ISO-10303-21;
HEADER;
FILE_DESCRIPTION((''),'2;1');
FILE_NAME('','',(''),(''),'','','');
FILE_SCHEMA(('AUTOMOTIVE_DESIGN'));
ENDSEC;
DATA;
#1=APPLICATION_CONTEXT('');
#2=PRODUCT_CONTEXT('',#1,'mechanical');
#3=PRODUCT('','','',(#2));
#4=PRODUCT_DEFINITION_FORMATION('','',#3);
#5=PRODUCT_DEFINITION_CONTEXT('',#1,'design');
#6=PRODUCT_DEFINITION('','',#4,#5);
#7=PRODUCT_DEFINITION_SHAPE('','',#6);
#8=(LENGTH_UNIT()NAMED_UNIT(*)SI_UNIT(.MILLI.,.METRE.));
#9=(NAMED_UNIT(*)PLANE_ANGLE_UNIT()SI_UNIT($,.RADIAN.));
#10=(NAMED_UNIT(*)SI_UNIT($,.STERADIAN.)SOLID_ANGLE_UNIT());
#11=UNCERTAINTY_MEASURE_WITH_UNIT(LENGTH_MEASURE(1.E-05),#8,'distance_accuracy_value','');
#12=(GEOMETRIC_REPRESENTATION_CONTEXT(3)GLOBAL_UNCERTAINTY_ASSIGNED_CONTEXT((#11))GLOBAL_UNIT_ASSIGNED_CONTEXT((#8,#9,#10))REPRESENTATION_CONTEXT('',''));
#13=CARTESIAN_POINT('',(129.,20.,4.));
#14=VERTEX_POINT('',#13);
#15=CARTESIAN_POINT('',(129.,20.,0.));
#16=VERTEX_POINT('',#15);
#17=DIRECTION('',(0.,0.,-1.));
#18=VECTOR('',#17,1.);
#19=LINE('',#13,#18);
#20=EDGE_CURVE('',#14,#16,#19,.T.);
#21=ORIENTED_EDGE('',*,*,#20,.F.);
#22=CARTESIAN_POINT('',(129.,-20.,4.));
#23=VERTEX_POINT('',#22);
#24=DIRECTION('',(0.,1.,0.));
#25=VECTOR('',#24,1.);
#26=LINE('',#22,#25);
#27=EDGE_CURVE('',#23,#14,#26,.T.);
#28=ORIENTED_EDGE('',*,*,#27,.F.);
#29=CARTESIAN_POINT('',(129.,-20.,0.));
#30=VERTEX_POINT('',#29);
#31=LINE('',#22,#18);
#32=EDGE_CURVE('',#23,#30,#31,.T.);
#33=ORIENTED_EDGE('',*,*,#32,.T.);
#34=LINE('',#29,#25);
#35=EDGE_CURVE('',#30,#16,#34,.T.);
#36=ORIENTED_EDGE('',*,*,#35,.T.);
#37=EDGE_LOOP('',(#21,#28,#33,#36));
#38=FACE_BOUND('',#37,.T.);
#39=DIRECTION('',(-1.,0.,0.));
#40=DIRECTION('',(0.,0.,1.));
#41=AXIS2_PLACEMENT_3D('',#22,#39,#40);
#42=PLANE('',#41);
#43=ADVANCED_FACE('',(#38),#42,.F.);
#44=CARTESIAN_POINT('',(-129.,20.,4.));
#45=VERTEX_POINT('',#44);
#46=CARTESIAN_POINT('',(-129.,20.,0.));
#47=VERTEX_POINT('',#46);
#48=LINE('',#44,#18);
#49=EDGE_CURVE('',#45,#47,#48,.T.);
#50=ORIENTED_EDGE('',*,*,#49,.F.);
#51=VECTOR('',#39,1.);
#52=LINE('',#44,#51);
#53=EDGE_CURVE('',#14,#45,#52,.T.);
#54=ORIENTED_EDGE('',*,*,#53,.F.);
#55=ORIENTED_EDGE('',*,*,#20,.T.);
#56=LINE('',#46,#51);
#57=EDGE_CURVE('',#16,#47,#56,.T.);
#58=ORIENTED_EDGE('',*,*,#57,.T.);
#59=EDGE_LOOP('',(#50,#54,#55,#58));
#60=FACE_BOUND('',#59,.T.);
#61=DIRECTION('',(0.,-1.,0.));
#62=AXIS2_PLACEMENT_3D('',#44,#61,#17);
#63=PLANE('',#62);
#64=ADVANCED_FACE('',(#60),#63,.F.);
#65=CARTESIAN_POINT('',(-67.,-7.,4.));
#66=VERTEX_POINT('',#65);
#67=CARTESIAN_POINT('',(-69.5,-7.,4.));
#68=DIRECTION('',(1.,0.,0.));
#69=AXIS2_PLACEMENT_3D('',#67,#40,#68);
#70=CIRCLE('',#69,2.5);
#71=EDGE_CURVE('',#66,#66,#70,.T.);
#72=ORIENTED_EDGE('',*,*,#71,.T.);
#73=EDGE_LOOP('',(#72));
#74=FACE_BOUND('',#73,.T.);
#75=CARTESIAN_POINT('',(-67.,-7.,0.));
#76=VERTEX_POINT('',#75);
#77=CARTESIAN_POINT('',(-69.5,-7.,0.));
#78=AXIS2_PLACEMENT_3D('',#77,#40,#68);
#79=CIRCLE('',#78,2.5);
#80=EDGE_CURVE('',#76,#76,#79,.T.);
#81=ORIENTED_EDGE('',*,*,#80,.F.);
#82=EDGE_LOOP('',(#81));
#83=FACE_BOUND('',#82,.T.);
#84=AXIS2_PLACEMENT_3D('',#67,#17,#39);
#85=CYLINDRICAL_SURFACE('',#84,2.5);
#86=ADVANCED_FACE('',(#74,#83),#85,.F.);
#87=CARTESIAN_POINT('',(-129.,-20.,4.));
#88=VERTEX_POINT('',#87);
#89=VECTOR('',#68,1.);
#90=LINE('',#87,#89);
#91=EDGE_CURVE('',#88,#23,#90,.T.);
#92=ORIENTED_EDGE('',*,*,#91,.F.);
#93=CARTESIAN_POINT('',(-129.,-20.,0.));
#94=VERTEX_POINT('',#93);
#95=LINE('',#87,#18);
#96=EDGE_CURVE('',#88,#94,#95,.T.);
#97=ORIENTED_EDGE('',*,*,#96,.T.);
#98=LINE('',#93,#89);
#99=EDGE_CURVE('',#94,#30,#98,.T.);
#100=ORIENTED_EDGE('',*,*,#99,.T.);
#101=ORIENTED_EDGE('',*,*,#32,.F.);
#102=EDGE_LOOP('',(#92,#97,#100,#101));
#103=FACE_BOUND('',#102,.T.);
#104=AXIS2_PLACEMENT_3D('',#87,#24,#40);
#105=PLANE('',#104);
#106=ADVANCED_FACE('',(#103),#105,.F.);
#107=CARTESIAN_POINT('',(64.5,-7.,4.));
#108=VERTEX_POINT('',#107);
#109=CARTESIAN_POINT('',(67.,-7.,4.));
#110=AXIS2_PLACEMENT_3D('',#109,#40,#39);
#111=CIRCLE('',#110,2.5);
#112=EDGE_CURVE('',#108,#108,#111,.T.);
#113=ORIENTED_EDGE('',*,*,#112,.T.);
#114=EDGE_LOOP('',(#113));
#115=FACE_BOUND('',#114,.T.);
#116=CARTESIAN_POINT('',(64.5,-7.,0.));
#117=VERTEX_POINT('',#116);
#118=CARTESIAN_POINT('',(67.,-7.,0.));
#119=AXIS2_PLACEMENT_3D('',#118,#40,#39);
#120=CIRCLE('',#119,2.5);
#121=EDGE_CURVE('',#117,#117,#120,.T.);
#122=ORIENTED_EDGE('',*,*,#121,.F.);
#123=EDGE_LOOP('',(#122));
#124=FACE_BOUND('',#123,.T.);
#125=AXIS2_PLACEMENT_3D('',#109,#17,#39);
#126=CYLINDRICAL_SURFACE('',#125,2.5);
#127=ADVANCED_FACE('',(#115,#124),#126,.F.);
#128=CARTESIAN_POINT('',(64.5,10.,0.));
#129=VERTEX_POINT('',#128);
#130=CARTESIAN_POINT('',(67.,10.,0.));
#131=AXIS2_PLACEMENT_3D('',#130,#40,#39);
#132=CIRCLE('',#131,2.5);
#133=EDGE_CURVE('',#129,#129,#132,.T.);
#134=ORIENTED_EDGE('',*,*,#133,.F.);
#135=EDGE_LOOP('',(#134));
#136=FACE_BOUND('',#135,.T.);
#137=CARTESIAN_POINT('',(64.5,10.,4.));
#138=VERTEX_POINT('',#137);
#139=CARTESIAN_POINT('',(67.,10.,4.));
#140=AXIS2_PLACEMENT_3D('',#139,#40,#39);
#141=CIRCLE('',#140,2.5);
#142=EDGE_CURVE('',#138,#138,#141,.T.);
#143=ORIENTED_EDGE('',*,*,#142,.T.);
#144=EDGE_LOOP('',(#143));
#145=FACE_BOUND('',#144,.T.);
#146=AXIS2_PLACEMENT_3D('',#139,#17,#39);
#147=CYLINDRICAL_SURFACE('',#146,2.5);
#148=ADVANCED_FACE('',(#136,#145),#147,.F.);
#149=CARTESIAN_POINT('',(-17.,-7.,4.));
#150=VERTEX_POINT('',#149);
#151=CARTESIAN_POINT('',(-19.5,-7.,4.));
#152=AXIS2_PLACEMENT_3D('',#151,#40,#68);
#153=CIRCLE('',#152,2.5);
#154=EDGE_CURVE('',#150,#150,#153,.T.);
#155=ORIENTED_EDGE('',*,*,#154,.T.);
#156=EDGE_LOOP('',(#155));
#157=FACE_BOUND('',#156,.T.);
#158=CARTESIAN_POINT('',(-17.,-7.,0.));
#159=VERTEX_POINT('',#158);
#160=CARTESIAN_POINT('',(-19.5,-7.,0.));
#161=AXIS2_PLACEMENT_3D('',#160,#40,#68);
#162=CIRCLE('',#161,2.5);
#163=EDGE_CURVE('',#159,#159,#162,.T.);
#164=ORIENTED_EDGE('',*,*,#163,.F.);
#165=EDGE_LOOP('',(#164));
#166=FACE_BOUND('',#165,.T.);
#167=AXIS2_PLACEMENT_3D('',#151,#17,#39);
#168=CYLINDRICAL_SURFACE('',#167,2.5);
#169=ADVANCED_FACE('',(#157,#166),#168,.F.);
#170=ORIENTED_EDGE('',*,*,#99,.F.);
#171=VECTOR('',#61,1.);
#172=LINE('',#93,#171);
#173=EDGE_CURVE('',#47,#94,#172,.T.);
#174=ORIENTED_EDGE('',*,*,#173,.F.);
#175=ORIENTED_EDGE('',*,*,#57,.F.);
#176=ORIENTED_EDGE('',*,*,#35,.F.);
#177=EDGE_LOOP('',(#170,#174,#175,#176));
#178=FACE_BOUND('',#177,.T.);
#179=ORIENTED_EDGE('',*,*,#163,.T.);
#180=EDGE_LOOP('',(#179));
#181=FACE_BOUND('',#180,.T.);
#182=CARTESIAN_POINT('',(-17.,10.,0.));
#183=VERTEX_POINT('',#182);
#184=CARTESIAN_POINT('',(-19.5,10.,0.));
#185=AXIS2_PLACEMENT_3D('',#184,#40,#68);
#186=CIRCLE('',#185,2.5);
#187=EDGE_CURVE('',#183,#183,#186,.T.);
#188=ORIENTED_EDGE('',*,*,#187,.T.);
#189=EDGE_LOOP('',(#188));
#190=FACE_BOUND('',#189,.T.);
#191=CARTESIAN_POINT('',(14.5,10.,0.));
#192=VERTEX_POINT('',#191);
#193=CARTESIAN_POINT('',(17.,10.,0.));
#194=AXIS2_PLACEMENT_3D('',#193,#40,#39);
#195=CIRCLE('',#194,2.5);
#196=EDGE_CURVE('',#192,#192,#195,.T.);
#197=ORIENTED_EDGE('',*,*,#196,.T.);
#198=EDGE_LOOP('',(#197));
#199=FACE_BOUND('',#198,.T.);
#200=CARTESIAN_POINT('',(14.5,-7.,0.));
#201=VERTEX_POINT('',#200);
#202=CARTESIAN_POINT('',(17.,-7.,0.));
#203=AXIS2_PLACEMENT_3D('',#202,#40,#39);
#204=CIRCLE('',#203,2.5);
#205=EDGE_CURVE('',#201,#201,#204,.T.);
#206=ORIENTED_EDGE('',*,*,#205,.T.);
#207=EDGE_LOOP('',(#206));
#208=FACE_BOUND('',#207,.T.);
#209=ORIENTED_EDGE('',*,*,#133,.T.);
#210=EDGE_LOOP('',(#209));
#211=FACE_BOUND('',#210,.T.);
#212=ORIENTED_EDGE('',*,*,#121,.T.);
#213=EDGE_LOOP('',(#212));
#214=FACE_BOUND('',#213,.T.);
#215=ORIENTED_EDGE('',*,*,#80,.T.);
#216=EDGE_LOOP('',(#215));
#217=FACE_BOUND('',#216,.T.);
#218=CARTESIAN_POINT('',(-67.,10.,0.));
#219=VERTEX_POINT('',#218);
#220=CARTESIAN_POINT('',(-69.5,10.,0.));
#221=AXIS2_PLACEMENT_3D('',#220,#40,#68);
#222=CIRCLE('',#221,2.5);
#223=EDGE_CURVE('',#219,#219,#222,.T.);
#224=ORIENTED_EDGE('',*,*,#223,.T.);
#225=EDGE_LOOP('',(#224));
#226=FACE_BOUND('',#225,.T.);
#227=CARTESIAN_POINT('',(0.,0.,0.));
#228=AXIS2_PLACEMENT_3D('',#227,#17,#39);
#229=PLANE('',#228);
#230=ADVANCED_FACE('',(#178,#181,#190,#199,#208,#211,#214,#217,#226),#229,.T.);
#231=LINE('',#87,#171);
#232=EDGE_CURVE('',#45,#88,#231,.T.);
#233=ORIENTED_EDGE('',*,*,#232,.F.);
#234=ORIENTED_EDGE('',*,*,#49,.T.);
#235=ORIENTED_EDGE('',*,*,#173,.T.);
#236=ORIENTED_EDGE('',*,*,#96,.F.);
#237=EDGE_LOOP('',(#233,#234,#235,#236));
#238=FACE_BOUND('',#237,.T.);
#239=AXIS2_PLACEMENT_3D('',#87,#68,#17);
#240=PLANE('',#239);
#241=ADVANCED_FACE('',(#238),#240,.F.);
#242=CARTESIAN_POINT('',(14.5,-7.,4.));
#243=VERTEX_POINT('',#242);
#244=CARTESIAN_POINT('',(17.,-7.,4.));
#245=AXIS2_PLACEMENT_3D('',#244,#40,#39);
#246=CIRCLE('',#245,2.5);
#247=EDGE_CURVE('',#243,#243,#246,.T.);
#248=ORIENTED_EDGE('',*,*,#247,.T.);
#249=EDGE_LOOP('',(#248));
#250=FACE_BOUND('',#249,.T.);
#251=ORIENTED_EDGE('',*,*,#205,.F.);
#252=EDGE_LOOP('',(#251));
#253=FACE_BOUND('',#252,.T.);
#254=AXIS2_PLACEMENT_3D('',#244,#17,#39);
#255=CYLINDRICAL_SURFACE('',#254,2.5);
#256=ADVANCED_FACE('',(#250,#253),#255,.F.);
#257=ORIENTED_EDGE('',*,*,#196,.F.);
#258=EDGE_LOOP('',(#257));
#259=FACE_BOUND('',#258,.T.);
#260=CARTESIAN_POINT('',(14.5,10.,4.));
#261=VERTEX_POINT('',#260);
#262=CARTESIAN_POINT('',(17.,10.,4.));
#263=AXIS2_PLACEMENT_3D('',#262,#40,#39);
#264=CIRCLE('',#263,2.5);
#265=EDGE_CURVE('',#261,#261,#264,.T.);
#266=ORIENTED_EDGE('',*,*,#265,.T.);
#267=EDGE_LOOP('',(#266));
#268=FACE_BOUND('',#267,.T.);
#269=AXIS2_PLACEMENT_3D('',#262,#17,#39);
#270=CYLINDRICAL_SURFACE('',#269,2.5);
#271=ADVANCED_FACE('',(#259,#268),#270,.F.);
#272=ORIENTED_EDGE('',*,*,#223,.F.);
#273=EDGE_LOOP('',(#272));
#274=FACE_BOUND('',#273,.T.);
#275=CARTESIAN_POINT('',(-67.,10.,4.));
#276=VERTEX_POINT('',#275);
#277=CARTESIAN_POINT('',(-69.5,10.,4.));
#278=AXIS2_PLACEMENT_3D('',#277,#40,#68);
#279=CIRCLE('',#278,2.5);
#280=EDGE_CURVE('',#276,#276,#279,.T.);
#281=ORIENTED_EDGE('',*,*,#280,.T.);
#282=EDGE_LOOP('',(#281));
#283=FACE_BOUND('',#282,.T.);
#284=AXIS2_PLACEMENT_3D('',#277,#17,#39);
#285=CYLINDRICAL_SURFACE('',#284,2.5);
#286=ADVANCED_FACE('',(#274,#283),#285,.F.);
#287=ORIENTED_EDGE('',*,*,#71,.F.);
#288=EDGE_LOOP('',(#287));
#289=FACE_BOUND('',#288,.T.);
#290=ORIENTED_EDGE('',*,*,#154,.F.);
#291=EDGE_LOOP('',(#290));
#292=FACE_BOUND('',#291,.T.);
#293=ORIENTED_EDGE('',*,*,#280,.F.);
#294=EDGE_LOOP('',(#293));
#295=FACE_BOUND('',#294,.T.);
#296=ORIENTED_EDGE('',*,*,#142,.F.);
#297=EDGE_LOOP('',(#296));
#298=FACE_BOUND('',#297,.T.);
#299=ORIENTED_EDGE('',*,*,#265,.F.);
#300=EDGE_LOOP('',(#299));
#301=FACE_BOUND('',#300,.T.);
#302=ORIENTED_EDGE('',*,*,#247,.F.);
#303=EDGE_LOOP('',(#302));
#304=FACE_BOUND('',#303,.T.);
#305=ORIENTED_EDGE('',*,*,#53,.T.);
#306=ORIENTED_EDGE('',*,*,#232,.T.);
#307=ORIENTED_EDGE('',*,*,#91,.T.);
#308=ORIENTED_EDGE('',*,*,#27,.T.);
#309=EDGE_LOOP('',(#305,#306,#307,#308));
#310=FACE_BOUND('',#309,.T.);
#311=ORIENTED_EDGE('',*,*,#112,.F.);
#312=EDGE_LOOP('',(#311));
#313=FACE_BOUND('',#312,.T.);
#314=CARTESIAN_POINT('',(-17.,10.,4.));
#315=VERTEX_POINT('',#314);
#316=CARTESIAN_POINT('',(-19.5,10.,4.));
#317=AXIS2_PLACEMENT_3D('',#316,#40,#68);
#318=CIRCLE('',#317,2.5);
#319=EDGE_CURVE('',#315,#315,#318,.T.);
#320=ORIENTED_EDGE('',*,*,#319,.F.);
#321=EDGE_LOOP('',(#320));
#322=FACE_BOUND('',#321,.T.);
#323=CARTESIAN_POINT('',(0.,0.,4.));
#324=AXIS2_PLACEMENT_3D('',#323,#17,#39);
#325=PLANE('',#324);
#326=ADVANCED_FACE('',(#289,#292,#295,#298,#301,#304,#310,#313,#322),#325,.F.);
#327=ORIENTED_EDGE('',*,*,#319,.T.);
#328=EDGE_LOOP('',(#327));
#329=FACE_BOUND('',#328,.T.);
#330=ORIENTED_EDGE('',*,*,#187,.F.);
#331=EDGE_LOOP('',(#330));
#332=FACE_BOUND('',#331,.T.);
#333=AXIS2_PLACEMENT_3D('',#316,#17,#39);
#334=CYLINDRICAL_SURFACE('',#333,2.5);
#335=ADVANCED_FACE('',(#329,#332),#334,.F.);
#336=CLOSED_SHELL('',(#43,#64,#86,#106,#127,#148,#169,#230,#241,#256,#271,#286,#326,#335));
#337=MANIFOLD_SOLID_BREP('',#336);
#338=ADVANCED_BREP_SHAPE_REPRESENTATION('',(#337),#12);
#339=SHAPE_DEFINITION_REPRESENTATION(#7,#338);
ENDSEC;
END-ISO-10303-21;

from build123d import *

# Parameters (mm, degrees)
SKETCH1_W           = 258
SKETCH1_H           = 40
SKETCH1_R           = 2.5
BOSS_EXTRUDE1_DEPTH = 4


with BuildPart() as part:
    # Sketch1 → Boss-Extrude1 (new body)
    with BuildSketch(Plane.XY):
        Rectangle(SKETCH1_W, SKETCH1_H)
        with Locations((-69.5, 10)):
            Circle(SKETCH1_R, mode=Mode.SUBTRACT)
        with Locations((-19.5, 10)):
            Circle(SKETCH1_R, mode=Mode.SUBTRACT)
        with Locations(Location((17, 10, 0), (0, 0, 180))):
            Circle(SKETCH1_R, mode=Mode.SUBTRACT)
        with Locations(Location((67, 10, 0), (0, 0, 180))):
            Circle(SKETCH1_R, mode=Mode.SUBTRACT)
        with Locations((-69.5, -7)):
            Circle(SKETCH1_R, mode=Mode.SUBTRACT)
        with Locations((-19.5, -7)):
            Circle(SKETCH1_R, mode=Mode.SUBTRACT)
        with Locations(Location((17, -7, 0), (0, 0, 180))):
            Circle(SKETCH1_R, mode=Mode.SUBTRACT)
        with Locations(Location((67, -7, 0), (0, 0, 180))):
            Circle(SKETCH1_R, mode=Mode.SUBTRACT)
    extrude(amount=BOSS_EXTRUDE1_DEPTH)


solid = part.part
